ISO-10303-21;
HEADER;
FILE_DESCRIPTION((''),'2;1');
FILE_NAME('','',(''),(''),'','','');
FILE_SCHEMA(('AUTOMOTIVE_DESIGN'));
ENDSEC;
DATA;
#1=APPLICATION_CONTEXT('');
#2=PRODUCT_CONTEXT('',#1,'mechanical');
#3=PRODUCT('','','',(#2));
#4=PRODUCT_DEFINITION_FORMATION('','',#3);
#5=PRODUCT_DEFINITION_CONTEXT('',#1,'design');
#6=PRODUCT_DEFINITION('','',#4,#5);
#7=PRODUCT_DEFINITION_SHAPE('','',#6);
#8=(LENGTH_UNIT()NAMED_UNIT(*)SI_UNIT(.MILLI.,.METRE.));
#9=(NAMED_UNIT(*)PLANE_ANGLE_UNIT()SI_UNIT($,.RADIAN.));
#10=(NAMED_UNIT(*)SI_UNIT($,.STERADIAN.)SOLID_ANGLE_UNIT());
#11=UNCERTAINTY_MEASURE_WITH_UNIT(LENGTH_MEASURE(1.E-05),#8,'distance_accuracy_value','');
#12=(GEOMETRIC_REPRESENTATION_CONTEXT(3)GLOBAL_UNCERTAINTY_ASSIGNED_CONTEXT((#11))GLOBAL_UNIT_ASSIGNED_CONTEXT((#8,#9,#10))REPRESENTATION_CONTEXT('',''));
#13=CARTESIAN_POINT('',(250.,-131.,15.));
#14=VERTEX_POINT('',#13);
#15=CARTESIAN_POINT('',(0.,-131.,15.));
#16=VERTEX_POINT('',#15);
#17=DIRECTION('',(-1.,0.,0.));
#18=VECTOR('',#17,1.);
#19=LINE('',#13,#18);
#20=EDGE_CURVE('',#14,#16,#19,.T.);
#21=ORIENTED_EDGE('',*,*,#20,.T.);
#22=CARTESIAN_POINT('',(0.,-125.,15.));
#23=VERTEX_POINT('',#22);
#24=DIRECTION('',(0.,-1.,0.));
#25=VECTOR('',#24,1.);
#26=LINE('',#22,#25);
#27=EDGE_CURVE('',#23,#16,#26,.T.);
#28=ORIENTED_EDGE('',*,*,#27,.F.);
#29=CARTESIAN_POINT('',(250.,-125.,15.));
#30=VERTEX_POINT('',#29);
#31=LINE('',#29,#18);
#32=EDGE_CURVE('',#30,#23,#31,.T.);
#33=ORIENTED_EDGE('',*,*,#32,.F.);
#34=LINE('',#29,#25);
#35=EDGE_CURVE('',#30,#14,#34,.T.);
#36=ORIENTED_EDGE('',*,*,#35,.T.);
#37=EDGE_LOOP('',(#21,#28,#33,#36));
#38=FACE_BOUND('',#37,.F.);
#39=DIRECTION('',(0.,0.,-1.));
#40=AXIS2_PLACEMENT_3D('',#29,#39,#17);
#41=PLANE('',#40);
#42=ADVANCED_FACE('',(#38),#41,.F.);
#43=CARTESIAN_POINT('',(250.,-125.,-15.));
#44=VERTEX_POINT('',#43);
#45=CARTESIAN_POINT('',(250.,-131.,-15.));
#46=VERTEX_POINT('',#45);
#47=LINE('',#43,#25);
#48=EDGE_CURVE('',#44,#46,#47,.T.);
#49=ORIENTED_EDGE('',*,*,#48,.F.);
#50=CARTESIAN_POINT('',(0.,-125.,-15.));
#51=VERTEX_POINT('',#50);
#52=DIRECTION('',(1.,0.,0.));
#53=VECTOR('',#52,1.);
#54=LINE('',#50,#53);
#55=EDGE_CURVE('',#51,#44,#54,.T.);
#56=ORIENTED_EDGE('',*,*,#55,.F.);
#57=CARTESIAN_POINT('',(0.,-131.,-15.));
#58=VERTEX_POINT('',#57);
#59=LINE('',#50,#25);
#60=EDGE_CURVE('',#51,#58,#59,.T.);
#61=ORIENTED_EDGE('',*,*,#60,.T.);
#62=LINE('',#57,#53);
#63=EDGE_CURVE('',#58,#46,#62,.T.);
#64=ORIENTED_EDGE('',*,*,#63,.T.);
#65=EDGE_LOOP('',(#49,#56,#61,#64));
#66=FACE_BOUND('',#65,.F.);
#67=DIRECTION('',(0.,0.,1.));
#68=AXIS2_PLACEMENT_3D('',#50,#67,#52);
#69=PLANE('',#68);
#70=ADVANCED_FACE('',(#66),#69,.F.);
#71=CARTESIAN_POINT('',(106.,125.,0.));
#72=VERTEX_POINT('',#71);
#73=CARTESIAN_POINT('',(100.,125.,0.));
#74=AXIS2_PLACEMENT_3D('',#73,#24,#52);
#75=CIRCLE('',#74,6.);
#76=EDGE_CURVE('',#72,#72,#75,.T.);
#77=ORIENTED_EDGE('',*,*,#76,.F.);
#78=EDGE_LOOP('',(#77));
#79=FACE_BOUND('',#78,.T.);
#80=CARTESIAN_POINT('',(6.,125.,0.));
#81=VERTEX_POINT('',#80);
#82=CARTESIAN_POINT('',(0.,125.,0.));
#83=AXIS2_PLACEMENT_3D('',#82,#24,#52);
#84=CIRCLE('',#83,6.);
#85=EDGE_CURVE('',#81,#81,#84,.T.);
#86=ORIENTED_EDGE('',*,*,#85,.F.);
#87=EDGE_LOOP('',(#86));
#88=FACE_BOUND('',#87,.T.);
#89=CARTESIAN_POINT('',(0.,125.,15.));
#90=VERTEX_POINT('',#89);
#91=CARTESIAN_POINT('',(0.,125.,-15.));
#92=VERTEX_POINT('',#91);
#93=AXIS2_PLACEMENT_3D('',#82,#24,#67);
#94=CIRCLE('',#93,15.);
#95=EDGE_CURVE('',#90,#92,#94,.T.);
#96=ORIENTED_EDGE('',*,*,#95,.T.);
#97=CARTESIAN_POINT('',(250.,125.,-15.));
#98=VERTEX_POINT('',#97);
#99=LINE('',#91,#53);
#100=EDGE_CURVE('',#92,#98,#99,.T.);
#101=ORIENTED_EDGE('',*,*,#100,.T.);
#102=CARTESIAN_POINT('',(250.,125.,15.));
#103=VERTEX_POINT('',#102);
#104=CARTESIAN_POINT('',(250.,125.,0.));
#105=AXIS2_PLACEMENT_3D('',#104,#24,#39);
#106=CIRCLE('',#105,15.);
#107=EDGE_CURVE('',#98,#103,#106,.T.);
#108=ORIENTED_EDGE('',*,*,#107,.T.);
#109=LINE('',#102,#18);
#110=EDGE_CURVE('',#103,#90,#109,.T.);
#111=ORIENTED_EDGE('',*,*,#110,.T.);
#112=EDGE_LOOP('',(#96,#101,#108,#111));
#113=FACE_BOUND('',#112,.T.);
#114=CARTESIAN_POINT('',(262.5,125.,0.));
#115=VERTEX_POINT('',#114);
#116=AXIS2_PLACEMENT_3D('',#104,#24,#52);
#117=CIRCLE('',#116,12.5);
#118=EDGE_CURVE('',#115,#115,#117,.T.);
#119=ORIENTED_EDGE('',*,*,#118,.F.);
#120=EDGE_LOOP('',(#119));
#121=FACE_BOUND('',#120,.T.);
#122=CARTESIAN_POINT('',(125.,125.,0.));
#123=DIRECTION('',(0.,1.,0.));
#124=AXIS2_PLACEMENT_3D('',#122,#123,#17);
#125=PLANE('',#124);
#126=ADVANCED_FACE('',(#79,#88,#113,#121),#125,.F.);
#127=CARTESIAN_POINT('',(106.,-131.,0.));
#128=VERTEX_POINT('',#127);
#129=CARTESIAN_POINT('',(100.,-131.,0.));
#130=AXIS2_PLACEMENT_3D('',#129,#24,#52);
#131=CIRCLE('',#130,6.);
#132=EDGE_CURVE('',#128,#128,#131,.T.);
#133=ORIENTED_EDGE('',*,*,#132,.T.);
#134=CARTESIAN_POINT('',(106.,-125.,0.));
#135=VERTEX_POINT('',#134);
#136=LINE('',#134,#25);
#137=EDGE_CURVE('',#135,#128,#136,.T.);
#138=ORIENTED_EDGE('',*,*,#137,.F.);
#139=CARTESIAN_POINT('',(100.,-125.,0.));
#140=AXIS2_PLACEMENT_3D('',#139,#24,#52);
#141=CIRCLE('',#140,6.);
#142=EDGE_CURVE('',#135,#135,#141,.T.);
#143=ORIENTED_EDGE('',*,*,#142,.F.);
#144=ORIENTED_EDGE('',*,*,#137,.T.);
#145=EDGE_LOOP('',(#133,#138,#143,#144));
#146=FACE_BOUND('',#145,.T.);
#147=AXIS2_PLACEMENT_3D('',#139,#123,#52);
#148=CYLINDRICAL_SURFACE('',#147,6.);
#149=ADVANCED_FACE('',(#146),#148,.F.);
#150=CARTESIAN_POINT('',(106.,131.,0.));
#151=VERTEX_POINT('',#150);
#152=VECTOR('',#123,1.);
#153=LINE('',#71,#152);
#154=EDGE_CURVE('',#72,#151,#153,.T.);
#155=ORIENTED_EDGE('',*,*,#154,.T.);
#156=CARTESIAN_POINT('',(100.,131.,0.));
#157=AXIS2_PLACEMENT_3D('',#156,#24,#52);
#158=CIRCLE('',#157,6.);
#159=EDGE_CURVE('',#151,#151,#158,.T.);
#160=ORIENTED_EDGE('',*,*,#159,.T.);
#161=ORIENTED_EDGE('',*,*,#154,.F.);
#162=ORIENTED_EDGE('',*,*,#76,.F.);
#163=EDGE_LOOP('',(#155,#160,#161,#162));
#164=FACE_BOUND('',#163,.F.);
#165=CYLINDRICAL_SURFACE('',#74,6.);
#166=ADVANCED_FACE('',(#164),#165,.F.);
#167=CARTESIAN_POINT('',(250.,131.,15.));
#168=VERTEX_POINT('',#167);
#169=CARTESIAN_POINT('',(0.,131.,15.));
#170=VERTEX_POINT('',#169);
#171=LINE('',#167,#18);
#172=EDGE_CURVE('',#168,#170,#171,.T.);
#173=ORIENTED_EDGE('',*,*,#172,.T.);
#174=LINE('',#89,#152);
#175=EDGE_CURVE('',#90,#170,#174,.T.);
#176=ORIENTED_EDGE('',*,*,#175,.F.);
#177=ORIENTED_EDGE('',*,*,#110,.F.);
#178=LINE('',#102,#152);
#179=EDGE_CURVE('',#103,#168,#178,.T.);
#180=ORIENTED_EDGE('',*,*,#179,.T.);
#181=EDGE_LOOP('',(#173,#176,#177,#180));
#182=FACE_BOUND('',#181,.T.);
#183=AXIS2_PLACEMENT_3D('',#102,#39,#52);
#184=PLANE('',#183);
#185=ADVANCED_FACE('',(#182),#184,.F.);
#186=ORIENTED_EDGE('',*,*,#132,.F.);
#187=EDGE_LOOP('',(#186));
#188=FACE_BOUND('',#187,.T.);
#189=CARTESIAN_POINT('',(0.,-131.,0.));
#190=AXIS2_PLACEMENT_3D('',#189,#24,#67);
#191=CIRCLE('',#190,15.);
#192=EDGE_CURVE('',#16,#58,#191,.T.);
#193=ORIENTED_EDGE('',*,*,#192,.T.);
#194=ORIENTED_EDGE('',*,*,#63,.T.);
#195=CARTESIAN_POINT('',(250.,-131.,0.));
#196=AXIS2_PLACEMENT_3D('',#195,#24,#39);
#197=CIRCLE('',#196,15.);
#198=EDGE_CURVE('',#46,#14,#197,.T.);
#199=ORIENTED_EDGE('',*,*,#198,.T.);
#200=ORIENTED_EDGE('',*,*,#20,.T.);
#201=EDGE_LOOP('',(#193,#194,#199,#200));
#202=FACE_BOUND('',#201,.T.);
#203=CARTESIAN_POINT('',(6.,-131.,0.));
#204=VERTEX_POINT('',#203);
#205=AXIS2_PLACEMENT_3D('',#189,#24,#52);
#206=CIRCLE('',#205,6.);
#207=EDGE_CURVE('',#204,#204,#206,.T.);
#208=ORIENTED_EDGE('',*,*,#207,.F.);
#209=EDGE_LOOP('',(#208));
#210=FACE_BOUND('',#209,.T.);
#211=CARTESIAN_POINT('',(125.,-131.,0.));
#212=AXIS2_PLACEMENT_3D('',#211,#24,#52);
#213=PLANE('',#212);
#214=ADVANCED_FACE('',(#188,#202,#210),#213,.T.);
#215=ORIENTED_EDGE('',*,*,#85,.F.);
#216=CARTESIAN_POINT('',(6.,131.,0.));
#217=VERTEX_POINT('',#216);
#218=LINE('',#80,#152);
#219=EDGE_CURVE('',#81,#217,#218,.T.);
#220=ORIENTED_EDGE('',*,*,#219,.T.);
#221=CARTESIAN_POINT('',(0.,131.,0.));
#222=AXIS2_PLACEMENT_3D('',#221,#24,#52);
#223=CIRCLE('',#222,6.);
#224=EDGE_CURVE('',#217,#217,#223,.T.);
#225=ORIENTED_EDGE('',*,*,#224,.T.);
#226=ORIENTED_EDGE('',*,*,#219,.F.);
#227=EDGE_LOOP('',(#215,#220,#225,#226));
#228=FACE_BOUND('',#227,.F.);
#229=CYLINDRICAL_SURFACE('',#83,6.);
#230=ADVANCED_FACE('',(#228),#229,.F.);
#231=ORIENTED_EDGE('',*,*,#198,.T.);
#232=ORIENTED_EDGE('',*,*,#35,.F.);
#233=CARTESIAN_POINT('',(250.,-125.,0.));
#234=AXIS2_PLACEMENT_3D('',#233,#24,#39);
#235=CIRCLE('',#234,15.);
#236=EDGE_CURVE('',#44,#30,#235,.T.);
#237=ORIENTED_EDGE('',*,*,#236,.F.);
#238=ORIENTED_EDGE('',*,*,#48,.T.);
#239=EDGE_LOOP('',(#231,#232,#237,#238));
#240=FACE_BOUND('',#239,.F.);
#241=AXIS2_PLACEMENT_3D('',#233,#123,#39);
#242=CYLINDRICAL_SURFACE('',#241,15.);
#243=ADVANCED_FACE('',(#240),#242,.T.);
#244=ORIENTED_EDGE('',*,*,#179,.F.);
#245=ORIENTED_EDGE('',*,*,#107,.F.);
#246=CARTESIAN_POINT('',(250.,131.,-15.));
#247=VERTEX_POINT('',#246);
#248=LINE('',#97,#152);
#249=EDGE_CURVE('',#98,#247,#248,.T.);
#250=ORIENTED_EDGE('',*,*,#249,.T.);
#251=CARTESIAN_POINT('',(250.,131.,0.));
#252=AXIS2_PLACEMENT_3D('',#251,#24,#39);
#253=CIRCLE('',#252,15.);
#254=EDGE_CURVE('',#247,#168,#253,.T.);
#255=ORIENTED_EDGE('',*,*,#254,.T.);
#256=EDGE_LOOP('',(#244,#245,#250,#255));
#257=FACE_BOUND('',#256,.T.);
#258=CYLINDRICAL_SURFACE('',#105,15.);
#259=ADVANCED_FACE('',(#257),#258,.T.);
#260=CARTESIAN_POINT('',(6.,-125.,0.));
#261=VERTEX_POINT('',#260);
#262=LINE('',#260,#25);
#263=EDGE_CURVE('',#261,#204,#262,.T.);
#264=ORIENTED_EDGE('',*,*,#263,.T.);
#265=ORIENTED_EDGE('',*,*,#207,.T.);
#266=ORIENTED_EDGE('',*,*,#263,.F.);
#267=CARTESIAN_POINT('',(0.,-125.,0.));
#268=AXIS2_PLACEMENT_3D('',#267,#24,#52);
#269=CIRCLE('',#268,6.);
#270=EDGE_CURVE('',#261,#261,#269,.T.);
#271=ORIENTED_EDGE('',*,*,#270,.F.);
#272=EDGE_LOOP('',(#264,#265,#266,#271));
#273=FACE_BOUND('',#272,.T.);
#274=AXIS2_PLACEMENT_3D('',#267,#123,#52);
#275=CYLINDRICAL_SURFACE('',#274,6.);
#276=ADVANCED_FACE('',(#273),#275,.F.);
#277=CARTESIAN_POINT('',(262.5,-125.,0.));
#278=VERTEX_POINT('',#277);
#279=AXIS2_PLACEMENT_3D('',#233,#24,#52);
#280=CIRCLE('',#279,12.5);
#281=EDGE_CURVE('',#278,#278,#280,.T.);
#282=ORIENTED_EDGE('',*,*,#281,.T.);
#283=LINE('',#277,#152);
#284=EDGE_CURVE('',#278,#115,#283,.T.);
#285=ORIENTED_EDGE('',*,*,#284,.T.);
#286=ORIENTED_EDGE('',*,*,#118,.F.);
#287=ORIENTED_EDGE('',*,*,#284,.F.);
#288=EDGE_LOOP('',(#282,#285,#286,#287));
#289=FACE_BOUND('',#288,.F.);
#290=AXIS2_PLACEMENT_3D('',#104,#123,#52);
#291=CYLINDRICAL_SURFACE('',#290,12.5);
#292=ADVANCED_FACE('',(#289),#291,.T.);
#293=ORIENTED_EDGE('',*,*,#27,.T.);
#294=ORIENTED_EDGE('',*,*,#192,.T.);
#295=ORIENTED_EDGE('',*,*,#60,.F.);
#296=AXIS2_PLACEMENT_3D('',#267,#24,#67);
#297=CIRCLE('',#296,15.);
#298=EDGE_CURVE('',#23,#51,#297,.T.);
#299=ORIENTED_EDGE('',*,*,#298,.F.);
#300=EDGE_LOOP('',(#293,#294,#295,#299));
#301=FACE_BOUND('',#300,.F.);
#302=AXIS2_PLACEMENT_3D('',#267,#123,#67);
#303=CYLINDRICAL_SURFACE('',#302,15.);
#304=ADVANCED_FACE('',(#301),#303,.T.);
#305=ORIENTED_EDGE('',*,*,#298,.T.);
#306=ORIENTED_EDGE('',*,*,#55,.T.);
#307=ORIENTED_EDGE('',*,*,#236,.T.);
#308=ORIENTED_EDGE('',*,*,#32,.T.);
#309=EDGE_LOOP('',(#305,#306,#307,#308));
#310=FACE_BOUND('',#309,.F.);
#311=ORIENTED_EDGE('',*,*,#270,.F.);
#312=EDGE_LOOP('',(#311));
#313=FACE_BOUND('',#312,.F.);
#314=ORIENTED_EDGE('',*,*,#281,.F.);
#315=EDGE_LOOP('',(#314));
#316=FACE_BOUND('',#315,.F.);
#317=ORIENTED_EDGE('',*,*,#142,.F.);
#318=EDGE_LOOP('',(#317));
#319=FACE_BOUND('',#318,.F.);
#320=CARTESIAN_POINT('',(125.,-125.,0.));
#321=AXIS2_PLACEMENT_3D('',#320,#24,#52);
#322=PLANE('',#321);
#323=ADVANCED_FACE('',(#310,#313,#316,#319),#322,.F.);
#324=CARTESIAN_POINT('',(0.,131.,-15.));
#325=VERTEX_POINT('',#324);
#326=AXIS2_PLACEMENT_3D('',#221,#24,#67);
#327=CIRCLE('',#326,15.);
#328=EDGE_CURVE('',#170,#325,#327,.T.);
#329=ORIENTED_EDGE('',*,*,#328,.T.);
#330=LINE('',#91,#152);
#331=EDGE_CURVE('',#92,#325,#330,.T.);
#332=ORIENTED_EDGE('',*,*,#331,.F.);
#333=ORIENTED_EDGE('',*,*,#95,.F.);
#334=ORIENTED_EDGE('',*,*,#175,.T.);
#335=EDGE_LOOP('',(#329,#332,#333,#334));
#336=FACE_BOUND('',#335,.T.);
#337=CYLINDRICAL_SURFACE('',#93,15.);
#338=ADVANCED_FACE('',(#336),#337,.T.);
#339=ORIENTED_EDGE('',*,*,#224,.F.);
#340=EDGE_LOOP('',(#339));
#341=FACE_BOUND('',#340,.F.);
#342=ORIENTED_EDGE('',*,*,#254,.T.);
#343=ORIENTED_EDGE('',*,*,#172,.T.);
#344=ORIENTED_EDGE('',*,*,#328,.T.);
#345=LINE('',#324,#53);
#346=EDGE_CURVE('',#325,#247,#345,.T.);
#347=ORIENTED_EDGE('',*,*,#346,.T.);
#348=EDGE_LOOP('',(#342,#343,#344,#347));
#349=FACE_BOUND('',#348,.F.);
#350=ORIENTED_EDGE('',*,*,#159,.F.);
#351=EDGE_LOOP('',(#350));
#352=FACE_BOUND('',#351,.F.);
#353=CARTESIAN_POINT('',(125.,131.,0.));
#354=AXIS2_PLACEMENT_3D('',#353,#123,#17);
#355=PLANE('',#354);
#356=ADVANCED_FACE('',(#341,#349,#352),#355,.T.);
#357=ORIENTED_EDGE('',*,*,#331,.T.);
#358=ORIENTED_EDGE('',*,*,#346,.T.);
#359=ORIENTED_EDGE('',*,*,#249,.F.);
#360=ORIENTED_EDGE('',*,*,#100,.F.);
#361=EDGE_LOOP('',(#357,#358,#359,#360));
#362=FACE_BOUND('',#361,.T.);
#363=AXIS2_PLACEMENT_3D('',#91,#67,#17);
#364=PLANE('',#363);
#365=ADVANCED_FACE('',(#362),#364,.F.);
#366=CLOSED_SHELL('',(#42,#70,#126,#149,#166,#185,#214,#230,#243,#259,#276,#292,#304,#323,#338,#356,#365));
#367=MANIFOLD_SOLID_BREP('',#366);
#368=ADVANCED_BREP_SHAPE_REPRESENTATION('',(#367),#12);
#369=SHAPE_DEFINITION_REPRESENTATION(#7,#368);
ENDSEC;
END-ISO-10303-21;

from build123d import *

# Parameters (mm, degrees)
F1_R     = 6
F1_R_2   = 12.5
F2_DEPTH = 6
F3_DEPTH = 125


with BuildPart() as f2:
    # F1 (on offset) → F2 (new body)
    with BuildSketch(Plane.XZ.offset(125)):
        with BuildLine():
            Line((250, 15), (0, 15))
            ThreePointArc((0, 15), (-15, 0), (0, -15))
            Line((0, -15), (250, -15))
            ThreePointArc((250, -15), (265, 0), (250, 15))
        make_face()
        Circle(F1_R, mode=Mode.SUBTRACT)
        with Locations((100, 0)):
            Circle(F1_R, mode=Mode.SUBTRACT)
        with Locations((250, 0)):
            Circle(F1_R_2, mode=Mode.SUBTRACT)
        with Locations((250, 0)):
            Circle(F1_R_2)
    extrude(amount=F2_DEPTH)

    # F1 (on offset) → F3 (join, through all)
    with BuildSketch(Plane.XZ.offset(125)):
        with Locations((250, 0)):
            Circle(F1_R_2)
    extrude(amount=-F3_DEPTH)

    # F4: F2 across plane


with BuildPart() as f2_1:
    add(f2.part)
    add(f2.part.mirror(Plane.XZ))


solid = f2_1.part
